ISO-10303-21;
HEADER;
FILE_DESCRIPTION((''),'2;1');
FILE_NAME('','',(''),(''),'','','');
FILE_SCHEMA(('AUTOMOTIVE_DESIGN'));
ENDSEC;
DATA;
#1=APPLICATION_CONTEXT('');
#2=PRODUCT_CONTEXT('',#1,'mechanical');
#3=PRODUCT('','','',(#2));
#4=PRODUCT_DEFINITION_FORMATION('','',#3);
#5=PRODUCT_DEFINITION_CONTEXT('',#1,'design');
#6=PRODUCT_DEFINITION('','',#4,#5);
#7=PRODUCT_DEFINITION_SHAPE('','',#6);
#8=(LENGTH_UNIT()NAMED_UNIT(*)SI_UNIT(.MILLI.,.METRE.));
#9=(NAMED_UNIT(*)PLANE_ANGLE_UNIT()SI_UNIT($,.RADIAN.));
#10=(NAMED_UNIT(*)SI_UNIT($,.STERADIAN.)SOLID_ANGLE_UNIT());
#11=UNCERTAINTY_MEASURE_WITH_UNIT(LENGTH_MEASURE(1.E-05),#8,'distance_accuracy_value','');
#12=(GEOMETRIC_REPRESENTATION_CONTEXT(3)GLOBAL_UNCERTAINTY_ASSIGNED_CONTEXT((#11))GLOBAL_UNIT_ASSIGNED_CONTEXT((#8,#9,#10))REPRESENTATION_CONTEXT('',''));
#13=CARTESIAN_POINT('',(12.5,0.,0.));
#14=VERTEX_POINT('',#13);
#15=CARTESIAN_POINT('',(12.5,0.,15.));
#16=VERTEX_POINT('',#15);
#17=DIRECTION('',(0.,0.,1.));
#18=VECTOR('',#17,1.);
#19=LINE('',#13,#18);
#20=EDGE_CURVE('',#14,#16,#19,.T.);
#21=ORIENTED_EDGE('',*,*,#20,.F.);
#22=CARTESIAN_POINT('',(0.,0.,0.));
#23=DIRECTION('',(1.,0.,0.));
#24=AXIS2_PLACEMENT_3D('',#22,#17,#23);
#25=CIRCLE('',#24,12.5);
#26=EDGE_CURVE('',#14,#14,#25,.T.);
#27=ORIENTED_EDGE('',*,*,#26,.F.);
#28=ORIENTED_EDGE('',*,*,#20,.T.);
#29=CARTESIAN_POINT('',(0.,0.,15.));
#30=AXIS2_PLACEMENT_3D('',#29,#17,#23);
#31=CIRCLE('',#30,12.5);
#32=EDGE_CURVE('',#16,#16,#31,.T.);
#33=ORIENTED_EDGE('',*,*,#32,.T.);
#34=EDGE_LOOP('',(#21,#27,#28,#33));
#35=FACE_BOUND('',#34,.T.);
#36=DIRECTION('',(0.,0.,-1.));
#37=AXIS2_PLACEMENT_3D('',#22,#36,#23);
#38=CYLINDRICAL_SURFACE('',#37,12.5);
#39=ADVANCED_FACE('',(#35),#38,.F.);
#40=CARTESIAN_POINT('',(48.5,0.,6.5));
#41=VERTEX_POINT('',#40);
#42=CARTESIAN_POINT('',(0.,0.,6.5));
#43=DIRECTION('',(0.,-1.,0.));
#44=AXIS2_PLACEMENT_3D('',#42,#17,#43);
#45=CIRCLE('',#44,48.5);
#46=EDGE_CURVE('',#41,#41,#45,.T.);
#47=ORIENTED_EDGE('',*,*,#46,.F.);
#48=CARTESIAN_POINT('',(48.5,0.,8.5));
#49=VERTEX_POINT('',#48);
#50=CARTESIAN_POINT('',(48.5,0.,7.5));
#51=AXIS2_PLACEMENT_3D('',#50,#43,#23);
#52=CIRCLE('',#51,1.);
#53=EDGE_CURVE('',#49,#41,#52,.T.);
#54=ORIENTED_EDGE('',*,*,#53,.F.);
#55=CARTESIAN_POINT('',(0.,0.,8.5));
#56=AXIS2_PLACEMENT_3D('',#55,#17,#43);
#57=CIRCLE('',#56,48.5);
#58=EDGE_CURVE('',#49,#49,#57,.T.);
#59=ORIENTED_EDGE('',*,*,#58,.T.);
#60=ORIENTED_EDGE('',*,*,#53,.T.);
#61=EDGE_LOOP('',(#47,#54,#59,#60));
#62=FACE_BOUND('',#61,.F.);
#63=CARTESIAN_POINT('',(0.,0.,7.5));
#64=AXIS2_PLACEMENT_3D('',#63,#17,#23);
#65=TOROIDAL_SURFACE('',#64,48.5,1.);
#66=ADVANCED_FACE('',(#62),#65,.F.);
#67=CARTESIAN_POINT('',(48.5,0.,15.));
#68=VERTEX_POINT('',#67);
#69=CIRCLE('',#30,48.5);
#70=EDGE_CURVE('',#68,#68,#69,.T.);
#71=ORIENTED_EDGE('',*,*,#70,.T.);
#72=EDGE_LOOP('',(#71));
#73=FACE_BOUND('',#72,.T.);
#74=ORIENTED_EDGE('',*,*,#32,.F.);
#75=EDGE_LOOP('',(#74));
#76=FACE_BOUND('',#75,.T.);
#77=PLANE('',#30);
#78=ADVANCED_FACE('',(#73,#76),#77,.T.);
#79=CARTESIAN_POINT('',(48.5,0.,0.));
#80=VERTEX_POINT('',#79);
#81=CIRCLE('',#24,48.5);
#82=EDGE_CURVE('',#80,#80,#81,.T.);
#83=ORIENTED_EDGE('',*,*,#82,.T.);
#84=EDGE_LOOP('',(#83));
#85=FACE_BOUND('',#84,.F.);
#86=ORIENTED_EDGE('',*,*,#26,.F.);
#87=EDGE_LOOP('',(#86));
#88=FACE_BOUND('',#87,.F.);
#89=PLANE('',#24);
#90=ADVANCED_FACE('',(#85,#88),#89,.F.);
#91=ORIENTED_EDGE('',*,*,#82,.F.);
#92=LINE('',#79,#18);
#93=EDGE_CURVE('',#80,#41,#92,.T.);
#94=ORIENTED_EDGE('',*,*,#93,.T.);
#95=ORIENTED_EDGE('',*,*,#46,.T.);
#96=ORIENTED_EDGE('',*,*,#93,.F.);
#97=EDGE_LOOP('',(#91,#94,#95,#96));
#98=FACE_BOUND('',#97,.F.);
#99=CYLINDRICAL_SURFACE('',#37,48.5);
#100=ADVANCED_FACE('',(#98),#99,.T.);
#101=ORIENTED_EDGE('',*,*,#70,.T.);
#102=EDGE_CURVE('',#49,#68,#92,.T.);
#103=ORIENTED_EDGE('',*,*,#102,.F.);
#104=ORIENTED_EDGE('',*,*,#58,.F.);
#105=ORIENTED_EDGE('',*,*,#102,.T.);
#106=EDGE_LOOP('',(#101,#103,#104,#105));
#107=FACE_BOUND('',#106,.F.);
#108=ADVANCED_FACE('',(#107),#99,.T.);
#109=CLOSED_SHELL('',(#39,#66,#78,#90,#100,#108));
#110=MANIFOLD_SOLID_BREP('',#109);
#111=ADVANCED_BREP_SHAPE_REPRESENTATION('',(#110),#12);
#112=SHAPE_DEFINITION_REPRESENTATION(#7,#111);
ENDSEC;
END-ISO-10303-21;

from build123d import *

# Parameters (mm, degrees)
F1_R     = 48.5
F2_DEPTH = 15
F5_R     = 12.5
F6_DEPTH = 15


with BuildPart() as f2:
    # F1 (on face) → F2 (new body)
    with BuildSketch(Plane.XY):
        Circle(F1_R)
    extrude(amount=F2_DEPTH)

    # F3 (on Front) → F4 (revolve, cut)
    with BuildSketch(Plane.XZ):
        with BuildLine():
            ThreePointArc((47.5, 7.5), (48.5, 6.5), (49.5, 7.5))
            ThreePointArc((49.5, 7.5), (48.5, 8.5), (47.5, 7.5))
        make_face()
    revolve(axis=Axis((0, 0, 8.376576), (0, 0, 1)), mode=Mode.SUBTRACT)

    # F5 (on Top) → F6 (cut)
    with BuildSketch(Plane.XY):
        Circle(F5_R)
    extrude(amount=F6_DEPTH, mode=Mode.SUBTRACT)


solid = f2.part
